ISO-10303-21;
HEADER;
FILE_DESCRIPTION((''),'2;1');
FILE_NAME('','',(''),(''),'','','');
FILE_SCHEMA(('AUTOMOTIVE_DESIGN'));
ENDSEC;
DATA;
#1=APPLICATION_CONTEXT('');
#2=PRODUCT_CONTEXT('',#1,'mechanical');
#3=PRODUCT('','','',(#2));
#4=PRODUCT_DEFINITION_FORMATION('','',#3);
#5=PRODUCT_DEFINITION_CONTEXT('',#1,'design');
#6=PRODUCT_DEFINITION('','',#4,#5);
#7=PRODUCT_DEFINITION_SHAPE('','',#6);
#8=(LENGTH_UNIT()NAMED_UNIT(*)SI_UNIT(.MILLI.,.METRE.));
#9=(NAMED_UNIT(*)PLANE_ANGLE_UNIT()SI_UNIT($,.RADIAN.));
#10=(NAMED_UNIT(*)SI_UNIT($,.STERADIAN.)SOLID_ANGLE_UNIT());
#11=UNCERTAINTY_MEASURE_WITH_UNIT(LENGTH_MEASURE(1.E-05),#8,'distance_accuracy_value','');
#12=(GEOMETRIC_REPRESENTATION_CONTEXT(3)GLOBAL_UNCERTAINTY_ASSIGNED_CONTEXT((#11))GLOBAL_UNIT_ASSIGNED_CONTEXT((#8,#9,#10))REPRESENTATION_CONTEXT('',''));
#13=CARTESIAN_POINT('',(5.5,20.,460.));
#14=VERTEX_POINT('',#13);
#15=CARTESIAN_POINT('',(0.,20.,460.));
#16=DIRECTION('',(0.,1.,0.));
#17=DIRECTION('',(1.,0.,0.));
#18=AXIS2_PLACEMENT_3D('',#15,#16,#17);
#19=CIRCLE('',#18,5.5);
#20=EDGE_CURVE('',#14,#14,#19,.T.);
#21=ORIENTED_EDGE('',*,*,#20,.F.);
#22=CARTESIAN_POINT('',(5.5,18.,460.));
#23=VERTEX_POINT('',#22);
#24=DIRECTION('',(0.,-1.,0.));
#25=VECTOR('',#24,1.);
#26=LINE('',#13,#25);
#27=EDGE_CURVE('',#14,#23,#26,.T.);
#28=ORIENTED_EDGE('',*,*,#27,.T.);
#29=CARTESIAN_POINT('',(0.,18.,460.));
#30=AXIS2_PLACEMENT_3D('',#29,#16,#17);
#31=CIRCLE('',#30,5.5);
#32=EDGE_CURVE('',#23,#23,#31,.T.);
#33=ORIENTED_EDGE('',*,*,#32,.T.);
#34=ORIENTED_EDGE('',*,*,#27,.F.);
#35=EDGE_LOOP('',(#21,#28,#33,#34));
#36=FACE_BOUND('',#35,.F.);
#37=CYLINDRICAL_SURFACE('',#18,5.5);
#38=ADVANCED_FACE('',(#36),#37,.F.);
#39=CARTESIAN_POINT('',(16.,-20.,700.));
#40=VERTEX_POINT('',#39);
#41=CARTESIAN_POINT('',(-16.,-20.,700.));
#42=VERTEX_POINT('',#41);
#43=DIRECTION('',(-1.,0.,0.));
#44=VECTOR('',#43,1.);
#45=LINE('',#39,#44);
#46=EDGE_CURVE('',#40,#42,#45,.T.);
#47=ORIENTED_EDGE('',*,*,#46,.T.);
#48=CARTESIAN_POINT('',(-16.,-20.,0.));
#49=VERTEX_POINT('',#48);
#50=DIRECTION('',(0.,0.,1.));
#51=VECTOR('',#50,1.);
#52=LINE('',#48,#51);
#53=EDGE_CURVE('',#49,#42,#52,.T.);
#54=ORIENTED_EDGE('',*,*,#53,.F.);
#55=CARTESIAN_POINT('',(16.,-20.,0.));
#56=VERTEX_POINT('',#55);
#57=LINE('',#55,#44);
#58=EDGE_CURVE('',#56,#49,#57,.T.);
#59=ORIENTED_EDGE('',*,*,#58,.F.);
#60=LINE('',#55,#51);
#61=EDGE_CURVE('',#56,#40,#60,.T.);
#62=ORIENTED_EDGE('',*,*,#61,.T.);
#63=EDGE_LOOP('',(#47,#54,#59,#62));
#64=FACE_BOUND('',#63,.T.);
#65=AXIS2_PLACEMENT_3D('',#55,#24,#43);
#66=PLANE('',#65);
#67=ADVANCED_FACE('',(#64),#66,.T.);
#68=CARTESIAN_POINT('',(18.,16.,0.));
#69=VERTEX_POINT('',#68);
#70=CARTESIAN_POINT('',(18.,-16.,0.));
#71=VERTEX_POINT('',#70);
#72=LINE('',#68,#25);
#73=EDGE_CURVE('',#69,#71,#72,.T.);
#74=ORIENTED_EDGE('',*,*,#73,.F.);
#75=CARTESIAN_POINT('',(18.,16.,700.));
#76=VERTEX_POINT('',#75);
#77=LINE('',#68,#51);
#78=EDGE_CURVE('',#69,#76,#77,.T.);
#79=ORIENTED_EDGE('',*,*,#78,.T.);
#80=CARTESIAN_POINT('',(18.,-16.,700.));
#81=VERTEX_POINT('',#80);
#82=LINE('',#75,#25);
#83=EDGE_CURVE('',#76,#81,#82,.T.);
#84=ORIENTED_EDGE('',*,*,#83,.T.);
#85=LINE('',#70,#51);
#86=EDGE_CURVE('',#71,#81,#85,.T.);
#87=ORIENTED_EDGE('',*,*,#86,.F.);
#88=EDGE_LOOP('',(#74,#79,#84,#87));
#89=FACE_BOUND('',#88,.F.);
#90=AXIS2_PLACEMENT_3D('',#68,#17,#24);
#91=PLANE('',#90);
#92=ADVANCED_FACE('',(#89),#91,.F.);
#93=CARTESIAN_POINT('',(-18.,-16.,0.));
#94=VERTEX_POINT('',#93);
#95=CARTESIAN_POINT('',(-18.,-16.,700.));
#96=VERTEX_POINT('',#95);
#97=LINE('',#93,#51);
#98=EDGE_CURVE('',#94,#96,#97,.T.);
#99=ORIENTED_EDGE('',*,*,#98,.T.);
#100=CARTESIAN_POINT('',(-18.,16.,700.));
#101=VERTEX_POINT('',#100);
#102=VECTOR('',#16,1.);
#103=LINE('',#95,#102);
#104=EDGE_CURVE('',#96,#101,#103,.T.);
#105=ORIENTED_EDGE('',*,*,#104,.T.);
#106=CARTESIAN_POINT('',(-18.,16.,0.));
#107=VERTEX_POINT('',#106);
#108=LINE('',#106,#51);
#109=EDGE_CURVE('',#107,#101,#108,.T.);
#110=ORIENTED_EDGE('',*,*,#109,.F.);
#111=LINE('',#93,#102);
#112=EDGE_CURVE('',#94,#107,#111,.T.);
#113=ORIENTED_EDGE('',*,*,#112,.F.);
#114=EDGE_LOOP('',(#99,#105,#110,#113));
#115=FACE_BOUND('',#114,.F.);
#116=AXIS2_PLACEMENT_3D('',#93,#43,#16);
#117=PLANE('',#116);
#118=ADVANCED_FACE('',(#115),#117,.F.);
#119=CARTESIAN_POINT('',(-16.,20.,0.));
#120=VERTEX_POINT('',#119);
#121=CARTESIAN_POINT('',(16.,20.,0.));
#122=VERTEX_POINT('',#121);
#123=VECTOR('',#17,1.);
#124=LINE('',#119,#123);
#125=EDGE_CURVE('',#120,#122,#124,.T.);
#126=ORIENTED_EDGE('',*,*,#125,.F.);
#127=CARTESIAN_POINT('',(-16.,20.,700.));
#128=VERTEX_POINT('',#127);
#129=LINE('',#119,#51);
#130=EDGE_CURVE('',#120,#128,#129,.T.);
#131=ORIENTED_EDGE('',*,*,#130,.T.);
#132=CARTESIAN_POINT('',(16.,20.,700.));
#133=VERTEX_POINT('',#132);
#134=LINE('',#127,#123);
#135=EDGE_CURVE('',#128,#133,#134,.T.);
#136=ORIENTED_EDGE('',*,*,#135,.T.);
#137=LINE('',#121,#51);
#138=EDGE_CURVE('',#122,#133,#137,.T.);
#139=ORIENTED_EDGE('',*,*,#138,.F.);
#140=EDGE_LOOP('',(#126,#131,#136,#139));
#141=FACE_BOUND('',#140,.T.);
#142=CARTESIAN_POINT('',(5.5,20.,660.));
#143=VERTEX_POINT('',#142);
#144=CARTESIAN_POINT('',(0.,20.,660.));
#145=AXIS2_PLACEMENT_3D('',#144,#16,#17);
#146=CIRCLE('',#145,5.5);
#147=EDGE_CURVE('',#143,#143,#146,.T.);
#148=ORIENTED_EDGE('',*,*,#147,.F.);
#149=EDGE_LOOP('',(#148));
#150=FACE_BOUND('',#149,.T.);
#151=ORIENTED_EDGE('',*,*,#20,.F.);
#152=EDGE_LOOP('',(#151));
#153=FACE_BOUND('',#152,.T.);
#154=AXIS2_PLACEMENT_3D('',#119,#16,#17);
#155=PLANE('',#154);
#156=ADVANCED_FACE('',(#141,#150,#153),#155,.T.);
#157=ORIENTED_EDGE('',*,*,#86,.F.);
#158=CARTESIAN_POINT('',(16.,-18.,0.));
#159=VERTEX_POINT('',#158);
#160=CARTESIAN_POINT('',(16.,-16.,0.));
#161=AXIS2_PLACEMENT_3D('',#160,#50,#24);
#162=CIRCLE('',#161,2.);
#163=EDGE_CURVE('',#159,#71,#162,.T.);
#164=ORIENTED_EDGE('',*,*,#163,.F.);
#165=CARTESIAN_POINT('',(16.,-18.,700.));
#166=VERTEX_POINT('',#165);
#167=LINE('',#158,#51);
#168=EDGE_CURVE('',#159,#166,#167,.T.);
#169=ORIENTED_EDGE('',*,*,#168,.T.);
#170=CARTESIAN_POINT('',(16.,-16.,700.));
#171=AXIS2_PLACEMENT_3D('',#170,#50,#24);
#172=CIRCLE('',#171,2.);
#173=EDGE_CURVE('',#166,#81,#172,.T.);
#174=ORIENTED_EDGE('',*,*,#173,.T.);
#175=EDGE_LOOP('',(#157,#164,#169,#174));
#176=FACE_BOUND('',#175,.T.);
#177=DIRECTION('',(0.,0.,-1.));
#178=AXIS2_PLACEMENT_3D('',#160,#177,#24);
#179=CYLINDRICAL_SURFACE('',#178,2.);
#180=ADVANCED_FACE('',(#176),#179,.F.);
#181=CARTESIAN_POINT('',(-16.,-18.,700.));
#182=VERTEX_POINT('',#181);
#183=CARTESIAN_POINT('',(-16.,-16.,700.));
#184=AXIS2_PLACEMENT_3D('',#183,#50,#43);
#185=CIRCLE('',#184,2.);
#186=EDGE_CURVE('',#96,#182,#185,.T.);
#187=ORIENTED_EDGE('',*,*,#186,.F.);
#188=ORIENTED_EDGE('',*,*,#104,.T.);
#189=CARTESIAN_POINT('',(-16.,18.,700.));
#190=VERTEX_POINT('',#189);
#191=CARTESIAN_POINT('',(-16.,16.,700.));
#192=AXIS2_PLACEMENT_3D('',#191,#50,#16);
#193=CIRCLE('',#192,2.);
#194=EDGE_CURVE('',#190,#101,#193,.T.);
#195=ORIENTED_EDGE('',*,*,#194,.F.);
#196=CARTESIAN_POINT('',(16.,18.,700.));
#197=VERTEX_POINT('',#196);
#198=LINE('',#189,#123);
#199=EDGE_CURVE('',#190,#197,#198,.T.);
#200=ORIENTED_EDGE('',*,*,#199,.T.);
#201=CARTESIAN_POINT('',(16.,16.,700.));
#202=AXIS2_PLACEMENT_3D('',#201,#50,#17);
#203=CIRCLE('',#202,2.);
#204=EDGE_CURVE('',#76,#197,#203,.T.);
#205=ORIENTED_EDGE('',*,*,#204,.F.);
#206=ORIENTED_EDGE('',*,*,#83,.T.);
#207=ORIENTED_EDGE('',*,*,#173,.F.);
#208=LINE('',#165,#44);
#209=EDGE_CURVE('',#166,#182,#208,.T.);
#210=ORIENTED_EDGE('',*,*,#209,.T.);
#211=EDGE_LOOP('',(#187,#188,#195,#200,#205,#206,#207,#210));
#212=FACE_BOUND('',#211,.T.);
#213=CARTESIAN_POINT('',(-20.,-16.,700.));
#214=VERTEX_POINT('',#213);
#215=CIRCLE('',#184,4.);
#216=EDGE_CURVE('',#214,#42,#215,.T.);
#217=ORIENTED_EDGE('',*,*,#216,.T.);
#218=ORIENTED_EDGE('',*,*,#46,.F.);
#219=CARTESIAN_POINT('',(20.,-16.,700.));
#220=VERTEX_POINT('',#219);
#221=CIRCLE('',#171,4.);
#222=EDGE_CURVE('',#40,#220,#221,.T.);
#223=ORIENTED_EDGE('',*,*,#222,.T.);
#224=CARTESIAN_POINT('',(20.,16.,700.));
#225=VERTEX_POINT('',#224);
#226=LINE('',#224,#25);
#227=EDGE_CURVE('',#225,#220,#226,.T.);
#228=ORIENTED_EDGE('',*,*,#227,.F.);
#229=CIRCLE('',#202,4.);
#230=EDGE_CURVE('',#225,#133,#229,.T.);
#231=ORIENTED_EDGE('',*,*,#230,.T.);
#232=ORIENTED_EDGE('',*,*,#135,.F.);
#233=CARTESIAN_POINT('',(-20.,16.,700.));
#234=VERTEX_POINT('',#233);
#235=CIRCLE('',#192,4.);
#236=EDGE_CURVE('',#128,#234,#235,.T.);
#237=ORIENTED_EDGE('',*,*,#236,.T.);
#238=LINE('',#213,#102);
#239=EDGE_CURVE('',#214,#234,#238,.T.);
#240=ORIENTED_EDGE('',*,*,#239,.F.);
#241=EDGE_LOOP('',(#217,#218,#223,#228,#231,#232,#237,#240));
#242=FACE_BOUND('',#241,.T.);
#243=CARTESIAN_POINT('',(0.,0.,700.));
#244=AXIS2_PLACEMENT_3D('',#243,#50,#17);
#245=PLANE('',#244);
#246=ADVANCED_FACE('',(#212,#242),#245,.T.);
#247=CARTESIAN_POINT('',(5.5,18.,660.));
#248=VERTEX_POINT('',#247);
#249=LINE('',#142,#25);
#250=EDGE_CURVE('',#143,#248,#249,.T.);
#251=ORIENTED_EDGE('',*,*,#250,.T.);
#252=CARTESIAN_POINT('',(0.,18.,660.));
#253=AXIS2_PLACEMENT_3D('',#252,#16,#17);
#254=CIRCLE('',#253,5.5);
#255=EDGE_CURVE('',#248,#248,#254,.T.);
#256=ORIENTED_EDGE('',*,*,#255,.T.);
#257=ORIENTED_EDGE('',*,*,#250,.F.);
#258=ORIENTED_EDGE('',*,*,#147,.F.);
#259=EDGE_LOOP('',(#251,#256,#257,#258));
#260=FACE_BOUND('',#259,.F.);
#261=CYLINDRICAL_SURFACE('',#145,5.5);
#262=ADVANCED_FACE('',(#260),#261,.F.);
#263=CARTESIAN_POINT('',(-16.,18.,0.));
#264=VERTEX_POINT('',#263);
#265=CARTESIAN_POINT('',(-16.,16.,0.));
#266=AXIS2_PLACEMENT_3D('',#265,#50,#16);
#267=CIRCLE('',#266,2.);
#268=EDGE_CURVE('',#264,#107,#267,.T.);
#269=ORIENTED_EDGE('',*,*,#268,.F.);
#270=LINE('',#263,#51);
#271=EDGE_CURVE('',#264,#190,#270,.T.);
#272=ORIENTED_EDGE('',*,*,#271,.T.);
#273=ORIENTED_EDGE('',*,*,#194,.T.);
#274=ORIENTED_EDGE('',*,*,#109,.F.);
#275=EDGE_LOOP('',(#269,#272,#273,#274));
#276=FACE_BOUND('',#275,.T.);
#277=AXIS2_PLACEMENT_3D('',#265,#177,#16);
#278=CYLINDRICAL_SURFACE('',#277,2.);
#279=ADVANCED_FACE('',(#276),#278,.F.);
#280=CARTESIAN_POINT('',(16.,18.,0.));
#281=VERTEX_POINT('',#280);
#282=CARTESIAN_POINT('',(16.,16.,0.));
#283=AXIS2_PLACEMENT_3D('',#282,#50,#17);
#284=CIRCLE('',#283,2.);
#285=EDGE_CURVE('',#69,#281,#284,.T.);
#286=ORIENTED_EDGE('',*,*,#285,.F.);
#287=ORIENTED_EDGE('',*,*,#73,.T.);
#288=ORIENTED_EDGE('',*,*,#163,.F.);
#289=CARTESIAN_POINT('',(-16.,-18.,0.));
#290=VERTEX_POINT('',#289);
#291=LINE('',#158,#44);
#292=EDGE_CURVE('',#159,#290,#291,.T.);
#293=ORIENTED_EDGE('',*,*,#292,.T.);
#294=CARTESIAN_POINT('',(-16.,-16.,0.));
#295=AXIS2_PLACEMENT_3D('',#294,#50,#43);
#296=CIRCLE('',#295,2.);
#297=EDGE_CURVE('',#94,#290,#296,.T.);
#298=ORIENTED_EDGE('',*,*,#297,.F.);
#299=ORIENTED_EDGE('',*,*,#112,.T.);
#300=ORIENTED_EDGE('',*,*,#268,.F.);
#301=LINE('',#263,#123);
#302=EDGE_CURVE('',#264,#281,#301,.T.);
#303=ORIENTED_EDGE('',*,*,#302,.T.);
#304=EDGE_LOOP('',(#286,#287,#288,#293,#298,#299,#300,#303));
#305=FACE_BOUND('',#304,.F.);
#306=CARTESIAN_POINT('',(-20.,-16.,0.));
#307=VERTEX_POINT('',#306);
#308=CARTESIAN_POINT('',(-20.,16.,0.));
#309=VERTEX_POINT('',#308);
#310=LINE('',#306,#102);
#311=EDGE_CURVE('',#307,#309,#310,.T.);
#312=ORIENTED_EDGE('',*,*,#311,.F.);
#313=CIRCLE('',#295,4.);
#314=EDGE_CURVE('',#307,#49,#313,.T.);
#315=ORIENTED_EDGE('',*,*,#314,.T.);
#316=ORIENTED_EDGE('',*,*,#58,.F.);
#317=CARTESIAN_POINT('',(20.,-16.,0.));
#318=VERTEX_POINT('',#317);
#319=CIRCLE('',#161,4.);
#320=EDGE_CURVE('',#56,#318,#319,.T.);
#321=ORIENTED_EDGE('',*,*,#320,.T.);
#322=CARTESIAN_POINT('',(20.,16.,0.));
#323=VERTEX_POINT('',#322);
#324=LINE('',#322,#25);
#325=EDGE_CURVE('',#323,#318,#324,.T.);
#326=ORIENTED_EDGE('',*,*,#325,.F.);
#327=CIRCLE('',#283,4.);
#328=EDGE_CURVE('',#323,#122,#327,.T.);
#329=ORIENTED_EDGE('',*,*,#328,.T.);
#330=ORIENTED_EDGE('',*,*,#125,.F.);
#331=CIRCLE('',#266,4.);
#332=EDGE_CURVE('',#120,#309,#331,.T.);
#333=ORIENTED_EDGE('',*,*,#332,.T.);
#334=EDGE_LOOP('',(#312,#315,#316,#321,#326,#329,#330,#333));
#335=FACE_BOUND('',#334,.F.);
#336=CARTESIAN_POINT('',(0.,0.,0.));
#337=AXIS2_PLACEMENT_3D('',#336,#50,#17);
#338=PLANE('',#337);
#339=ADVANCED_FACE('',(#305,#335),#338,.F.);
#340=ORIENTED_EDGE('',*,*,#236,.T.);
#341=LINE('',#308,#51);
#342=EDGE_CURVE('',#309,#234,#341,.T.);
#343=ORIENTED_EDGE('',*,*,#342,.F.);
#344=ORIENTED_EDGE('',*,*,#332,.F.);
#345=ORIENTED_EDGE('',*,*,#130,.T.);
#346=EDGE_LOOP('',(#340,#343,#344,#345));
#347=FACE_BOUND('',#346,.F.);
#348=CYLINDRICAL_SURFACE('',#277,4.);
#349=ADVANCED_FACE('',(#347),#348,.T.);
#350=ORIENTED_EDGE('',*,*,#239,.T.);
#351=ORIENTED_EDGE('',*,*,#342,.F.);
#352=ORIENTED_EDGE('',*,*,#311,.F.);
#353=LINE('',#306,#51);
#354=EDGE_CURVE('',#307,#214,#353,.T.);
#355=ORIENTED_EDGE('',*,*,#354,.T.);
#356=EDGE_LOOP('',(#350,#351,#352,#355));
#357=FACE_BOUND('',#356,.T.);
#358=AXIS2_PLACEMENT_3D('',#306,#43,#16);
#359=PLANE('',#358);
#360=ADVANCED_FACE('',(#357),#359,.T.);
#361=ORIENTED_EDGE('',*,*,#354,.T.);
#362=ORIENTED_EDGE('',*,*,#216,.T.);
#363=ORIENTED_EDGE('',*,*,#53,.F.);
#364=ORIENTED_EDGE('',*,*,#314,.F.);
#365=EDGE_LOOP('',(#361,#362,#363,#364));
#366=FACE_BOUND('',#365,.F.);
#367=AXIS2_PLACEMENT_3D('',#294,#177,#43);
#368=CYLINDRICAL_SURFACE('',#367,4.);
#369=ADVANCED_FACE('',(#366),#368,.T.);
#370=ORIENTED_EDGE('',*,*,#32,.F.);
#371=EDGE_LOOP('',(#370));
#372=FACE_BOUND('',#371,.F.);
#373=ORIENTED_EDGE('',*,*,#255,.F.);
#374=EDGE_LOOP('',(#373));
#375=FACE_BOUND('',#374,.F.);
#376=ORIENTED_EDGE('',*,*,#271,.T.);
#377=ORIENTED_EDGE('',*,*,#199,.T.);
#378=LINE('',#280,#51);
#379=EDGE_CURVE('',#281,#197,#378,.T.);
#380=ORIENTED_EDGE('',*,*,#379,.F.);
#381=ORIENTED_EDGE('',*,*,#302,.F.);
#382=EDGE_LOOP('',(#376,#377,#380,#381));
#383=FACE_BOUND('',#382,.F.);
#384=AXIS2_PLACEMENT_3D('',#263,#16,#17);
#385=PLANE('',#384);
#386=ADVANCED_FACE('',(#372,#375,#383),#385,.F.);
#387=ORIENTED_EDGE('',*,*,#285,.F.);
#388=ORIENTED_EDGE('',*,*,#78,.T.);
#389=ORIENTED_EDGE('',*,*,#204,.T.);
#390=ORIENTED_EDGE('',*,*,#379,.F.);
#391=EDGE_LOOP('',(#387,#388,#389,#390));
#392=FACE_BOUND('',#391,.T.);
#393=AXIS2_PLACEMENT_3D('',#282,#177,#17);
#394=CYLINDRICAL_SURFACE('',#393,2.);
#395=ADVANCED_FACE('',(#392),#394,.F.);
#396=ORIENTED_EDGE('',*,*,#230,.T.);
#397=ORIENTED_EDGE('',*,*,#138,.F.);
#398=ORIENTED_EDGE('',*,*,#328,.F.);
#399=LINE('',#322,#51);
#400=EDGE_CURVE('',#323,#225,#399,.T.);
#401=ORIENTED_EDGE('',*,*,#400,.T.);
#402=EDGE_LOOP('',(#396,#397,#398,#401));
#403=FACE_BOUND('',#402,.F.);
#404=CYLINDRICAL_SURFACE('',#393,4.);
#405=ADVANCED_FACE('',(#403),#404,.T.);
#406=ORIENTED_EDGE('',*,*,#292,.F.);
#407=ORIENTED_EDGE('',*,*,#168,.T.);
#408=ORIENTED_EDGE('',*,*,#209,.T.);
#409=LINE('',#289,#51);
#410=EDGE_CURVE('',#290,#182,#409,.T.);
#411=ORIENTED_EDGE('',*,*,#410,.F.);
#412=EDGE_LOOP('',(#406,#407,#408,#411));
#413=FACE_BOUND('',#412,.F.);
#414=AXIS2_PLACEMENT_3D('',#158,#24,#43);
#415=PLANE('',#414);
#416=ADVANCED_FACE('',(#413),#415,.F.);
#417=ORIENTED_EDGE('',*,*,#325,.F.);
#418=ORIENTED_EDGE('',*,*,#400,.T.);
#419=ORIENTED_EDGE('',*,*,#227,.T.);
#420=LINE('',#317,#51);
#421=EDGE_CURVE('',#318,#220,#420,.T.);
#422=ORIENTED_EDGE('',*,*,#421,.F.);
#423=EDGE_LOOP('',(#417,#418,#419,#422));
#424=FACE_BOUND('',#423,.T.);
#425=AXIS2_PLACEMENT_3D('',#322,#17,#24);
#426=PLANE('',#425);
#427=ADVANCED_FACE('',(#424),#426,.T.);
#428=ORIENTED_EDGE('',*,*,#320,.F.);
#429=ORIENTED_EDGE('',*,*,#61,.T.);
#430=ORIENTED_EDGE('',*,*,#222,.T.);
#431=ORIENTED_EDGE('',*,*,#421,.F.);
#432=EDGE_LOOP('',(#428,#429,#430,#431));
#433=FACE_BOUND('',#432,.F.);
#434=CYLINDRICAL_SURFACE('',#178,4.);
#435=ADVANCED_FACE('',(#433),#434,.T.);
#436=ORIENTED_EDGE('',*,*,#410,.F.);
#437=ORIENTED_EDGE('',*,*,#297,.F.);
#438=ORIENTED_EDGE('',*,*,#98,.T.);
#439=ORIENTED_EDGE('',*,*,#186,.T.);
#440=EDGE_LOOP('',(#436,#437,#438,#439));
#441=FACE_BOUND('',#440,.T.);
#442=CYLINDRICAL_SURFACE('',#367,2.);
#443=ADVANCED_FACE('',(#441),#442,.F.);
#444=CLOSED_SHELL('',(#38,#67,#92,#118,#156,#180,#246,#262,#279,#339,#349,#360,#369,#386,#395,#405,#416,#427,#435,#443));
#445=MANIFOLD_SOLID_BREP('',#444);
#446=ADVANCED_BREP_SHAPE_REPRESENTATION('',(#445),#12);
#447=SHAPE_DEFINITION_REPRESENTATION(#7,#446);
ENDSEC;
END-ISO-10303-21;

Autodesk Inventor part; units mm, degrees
ref_plane "YZ Plane" through (0, 0, 0) normal (1, 0, 0) x (0, 1, 0)
ref_plane "Start Plane" through (0, 0, 0) normal (0, 0, 1) x (1, 0, 0)
ref_plane "End Plane" through (0, 0, 700) normal (0, 0, 1) x (1, 0, 0)
sketch "Sketch" plane through (0, 0, 0) normal (0, 0, 1) x (1, 0, 0)
  line L0 (-20, -16) -> (-20, 16)
  line L1 (-16, 20) -> (16, 20)
  line L2 (20, 16) -> (20, -16)
  line L3 (16, -20) -> (-16, -20)
  arc A0 (-20, -16) -> (-16, -20) centre (-16, -16) ccw
  arc A1 (20, 16) -> (16, 20) centre (16, 16) ccw
  arc A2 (-16, 20) -> (-20, 16) centre (-16, 16) ccw
  arc A3 (16, -20) -> (20, -16) centre (16, -16) ccw
  arc A4 (-16, 18) -> (-18, 16) centre (-16, 16) ccw
  line L4 (-16, 18) -> (16, 18)
  arc A5 (18, 16) -> (16, 18) centre (16, 16) ccw
  line L5 (18, 16) -> (18, -16)
  arc A6 (16, -18) -> (18, -16) centre (16, -16) ccw
  line L6 (16, -18) -> (-16, -18)
  arc A7 (-18, -16) -> (-16, -18) centre (-16, -16) ccw
  line L7 (-18, -16) -> (-18, 16)
  line L8 (0, 29.1598) -> (0, -29.1598) construction
  line L9 (-29.1598, 0) -> (29.1598, 0) construction
  dimension "d7" = 4
  dimension "d9" = 40
  dimension "d11" = 40
  dimension "d12" = 2
  dimension "d15" = 20
  dimension "d16" = 20
extrude "Body" add sketch "Sketch" along normal up to surface (700 mm away) from surface at 0
sketch "Sketch3" plane through (0, 0, 0) normal (0, 0, 1) x (1, 0, 0)
  line L0 (0, 0) -> (10, 0)
ref_plane "Work Plane3" through (0, 0, 0) normal (0, -1, 0) x (1, 0, 0)
sketch "Sketch5" plane through (16, 20, 700) normal (0, 1, 0) x (1, 0, 0)
  line L0 (-32, 0) -> (0, 0) construction
  line L1 (0, 700) -> (0, 0) construction
  line L2 (-32, 700) -> (0, 700) projected
  line L3 (-32, 700) -> (-32, 0) construction
  circle A0 centre (-16, 40) radius 5.5
  circle A1 centre (-16, 240) radius 5.5
  point P0 (-16, 700)
  point P1 (-16, 0)
  dimension "d19" = 11
  dimension "d20" = 40
  dimension "d21" = 200
extrude "Extrusion2" cut sketch "Sketch5" against normal up to surface (2 mm away)
sketch "Sketch4" plane through (0, 0, 0) normal (0, -1, 0) x (1, 0, 0)
  line L0 (-2, 0) -> (12, 0) projected
  line L1 (-2, 700) -> (12, 700) projected
  dimension "d18" = 700
equation "\"d7\" = G_IR"
equation "\"d9\" = G_W"
equation "\"d11\" = G_H"
equation "\"d12\" = G_T"
equation "\"d15\" = 0.5 * d9"
equation "\"d16\" = 0.5 * d11"
equation "\"d3\" = G_L"
equation "\"G_W\" = 40"
equation "\"G_H\" = 40"
equation "\"G_T\" = 2"
equation "\"G_IR\" = 4"
equation "\"G_L\" = d18"
equation "\"G_OFFSET_START\" = 0"
equation "\"G_OFFSET_END\" = 0"
properties part number "ISO 10799-2 40x40x2 1714907750312" material "Stainless Steel"
